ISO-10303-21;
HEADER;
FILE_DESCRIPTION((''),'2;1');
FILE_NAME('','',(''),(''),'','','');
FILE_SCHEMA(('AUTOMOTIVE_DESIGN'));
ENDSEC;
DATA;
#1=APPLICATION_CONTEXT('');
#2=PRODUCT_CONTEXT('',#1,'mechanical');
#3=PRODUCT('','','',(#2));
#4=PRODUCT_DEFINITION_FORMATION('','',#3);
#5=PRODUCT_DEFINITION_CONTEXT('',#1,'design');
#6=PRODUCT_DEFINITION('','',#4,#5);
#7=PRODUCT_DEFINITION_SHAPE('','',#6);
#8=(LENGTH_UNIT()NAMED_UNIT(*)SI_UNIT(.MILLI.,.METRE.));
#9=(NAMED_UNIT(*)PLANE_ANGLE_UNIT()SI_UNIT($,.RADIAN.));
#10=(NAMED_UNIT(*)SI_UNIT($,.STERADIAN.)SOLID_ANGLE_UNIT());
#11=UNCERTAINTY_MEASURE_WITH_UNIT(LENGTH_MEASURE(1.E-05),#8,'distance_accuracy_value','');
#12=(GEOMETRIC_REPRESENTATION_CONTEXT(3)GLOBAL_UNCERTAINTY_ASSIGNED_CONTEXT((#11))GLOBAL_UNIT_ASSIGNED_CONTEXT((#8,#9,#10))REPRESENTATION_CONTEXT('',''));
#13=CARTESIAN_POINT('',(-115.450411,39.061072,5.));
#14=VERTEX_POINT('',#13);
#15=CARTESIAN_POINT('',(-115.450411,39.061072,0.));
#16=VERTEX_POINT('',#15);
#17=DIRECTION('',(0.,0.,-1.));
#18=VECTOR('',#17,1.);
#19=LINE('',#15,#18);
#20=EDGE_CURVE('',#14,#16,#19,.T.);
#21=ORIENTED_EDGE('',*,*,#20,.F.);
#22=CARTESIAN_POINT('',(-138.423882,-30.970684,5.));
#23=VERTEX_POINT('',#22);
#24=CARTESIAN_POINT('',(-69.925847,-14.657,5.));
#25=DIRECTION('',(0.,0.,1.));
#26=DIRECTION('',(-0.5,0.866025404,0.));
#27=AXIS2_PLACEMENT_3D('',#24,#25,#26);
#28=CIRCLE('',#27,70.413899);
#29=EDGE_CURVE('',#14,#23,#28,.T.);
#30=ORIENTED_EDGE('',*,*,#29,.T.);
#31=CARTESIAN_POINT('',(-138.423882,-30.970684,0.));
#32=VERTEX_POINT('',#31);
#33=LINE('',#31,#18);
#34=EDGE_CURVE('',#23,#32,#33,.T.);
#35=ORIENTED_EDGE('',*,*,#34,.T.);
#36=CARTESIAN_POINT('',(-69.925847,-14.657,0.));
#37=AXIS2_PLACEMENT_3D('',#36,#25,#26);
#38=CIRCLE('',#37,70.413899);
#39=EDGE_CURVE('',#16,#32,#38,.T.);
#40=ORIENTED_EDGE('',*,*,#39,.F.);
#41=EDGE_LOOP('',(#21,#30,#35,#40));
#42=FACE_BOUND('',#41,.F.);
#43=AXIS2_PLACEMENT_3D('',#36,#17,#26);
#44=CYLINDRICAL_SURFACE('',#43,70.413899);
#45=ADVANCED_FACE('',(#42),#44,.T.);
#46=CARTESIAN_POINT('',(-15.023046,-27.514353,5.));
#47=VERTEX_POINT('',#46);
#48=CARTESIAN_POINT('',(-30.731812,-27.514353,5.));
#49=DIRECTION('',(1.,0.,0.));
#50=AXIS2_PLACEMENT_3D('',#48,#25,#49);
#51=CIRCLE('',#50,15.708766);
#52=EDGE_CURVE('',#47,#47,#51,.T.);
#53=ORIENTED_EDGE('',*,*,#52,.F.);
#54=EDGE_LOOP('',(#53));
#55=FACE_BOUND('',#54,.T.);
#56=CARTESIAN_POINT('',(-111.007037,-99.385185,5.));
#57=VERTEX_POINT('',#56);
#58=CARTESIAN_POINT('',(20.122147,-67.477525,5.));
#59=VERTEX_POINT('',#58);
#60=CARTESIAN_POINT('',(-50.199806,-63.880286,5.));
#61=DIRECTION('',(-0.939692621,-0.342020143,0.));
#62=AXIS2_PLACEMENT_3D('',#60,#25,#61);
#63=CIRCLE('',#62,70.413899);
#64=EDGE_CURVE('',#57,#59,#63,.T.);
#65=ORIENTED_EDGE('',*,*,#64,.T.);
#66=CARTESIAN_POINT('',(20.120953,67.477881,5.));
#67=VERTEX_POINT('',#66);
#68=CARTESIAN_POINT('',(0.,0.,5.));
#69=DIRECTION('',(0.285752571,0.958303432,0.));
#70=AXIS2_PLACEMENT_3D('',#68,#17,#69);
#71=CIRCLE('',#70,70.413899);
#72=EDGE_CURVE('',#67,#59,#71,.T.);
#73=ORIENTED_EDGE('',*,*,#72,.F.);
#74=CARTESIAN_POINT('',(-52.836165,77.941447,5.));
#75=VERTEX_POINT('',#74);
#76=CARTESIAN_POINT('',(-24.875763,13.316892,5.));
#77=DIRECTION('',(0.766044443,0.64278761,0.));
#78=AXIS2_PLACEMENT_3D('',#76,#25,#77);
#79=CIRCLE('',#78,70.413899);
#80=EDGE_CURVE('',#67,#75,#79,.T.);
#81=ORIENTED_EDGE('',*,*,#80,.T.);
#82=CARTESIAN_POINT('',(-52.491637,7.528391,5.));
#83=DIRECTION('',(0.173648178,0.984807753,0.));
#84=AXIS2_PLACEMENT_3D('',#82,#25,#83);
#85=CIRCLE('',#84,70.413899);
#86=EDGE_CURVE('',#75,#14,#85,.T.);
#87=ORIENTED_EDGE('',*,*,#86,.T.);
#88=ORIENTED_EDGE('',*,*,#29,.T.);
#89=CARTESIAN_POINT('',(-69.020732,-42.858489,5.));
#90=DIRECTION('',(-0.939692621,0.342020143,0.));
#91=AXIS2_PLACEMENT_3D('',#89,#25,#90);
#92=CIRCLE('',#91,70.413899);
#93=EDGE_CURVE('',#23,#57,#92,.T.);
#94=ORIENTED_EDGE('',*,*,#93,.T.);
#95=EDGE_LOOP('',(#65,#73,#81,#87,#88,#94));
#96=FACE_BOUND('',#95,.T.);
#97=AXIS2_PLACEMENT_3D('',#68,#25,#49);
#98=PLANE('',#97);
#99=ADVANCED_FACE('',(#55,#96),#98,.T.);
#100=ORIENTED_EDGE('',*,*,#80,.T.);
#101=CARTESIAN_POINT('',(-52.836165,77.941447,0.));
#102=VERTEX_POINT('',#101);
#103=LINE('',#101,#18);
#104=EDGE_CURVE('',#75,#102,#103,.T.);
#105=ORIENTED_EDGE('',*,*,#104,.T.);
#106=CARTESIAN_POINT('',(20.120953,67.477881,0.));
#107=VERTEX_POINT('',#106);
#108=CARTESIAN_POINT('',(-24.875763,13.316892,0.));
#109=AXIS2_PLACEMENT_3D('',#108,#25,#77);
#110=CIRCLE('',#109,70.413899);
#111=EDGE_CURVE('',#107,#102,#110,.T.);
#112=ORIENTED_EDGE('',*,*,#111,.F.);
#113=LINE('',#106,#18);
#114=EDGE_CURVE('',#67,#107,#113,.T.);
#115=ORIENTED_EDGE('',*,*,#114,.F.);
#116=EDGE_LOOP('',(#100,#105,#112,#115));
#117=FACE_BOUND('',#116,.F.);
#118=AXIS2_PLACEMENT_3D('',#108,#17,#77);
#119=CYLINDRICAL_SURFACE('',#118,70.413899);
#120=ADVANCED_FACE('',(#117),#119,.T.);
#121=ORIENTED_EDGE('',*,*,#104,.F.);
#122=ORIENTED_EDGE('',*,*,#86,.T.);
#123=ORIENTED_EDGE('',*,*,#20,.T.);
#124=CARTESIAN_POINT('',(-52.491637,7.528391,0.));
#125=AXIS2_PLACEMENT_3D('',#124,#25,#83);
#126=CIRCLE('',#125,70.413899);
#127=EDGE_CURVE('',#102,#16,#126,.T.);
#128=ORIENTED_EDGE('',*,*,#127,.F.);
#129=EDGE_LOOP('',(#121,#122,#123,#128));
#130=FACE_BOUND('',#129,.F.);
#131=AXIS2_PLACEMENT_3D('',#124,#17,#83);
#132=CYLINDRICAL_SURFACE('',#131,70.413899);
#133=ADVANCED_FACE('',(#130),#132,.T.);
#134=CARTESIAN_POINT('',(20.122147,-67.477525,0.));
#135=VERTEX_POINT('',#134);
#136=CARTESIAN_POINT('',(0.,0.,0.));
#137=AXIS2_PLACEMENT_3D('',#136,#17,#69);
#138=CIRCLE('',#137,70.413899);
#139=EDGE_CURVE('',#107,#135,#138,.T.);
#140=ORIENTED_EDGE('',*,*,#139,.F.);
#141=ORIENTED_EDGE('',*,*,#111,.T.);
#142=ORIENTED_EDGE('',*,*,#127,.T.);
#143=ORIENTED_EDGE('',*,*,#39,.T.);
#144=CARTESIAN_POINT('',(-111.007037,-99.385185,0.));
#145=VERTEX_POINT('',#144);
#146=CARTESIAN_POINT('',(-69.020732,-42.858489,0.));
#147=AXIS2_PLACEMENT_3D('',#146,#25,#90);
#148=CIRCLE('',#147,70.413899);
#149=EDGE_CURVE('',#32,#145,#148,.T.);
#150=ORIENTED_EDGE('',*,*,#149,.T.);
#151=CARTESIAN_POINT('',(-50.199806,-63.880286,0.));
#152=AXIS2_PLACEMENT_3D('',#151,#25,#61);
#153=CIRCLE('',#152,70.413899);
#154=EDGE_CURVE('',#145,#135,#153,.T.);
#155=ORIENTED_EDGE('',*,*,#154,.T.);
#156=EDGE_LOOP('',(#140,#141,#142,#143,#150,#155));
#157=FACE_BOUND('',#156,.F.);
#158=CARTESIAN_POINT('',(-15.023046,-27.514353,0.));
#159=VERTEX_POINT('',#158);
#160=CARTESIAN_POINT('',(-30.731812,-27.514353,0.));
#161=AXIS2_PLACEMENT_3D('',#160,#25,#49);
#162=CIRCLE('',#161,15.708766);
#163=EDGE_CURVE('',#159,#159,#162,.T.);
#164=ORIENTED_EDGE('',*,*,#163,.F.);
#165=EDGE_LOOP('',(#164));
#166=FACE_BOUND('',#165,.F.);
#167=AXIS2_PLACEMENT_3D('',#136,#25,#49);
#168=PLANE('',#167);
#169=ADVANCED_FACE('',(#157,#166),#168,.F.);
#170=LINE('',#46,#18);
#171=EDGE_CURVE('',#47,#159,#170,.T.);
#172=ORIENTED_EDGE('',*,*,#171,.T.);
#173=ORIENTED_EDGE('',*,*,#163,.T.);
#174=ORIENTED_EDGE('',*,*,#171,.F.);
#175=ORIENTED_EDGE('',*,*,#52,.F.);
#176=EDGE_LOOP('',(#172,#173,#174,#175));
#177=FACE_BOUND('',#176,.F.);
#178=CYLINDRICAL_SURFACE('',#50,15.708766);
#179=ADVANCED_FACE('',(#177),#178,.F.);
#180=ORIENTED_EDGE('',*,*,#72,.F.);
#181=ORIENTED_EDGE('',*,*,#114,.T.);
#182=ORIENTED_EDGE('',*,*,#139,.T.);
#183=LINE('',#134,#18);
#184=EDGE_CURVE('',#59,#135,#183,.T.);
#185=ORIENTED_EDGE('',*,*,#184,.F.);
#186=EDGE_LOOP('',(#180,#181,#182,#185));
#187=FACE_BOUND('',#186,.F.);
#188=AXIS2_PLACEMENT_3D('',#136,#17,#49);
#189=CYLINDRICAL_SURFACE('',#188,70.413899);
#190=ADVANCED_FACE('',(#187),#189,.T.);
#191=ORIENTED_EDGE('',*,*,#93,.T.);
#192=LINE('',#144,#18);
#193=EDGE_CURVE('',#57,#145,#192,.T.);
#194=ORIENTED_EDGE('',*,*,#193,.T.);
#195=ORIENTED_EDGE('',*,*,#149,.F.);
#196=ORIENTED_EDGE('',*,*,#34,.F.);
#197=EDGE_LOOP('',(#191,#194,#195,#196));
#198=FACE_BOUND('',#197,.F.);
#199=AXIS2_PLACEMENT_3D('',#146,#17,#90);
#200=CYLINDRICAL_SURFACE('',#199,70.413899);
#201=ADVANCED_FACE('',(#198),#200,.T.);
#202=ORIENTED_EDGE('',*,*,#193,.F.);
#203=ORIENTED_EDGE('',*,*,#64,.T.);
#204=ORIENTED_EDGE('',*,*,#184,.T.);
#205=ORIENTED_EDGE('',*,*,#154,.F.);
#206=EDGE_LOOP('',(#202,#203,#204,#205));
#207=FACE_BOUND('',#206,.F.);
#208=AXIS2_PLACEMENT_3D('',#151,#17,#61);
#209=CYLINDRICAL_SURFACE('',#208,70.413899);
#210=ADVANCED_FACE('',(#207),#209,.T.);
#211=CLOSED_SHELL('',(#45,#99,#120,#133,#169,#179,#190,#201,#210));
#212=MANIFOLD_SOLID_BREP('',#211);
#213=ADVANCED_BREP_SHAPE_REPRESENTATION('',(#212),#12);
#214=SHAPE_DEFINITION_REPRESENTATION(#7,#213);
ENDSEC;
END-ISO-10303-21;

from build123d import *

# Parameters (mm, degrees)
F0_R     = 70.413899
F1_DEPTH = 5
F2_R     = 15.708766
F3_DEPTH = 5.001
F4_COUNT = 6
F4_ANGLE = 200


with BuildPart() as f1:
    # F0 (on Top) → F1 (new body)
    with BuildSketch(Plane.XY):
        Circle(F0_R)
    extrude(amount=F1_DEPTH)

    # F2 (on face) → F3 (cut, through all)
    with BuildSketch(Plane.XY.offset(5)):
        with Locations((-30.731812, -27.514353)):
            Circle(F2_R)
    extrude(amount=-F3_DEPTH, mode=Mode.SUBTRACT)

    # F4: F1 ×6 about axis
    f4_axis = Axis((-30.731812, -27.514353, 0), (0, 0, 1))


with BuildPart() as f1_1:
    add(f1.part)
    for i in range(1, F4_COUNT):
        add(f1.part.rotate(f4_axis, i * F4_ANGLE / (F4_COUNT - 1)))


solid = f1_1.part
